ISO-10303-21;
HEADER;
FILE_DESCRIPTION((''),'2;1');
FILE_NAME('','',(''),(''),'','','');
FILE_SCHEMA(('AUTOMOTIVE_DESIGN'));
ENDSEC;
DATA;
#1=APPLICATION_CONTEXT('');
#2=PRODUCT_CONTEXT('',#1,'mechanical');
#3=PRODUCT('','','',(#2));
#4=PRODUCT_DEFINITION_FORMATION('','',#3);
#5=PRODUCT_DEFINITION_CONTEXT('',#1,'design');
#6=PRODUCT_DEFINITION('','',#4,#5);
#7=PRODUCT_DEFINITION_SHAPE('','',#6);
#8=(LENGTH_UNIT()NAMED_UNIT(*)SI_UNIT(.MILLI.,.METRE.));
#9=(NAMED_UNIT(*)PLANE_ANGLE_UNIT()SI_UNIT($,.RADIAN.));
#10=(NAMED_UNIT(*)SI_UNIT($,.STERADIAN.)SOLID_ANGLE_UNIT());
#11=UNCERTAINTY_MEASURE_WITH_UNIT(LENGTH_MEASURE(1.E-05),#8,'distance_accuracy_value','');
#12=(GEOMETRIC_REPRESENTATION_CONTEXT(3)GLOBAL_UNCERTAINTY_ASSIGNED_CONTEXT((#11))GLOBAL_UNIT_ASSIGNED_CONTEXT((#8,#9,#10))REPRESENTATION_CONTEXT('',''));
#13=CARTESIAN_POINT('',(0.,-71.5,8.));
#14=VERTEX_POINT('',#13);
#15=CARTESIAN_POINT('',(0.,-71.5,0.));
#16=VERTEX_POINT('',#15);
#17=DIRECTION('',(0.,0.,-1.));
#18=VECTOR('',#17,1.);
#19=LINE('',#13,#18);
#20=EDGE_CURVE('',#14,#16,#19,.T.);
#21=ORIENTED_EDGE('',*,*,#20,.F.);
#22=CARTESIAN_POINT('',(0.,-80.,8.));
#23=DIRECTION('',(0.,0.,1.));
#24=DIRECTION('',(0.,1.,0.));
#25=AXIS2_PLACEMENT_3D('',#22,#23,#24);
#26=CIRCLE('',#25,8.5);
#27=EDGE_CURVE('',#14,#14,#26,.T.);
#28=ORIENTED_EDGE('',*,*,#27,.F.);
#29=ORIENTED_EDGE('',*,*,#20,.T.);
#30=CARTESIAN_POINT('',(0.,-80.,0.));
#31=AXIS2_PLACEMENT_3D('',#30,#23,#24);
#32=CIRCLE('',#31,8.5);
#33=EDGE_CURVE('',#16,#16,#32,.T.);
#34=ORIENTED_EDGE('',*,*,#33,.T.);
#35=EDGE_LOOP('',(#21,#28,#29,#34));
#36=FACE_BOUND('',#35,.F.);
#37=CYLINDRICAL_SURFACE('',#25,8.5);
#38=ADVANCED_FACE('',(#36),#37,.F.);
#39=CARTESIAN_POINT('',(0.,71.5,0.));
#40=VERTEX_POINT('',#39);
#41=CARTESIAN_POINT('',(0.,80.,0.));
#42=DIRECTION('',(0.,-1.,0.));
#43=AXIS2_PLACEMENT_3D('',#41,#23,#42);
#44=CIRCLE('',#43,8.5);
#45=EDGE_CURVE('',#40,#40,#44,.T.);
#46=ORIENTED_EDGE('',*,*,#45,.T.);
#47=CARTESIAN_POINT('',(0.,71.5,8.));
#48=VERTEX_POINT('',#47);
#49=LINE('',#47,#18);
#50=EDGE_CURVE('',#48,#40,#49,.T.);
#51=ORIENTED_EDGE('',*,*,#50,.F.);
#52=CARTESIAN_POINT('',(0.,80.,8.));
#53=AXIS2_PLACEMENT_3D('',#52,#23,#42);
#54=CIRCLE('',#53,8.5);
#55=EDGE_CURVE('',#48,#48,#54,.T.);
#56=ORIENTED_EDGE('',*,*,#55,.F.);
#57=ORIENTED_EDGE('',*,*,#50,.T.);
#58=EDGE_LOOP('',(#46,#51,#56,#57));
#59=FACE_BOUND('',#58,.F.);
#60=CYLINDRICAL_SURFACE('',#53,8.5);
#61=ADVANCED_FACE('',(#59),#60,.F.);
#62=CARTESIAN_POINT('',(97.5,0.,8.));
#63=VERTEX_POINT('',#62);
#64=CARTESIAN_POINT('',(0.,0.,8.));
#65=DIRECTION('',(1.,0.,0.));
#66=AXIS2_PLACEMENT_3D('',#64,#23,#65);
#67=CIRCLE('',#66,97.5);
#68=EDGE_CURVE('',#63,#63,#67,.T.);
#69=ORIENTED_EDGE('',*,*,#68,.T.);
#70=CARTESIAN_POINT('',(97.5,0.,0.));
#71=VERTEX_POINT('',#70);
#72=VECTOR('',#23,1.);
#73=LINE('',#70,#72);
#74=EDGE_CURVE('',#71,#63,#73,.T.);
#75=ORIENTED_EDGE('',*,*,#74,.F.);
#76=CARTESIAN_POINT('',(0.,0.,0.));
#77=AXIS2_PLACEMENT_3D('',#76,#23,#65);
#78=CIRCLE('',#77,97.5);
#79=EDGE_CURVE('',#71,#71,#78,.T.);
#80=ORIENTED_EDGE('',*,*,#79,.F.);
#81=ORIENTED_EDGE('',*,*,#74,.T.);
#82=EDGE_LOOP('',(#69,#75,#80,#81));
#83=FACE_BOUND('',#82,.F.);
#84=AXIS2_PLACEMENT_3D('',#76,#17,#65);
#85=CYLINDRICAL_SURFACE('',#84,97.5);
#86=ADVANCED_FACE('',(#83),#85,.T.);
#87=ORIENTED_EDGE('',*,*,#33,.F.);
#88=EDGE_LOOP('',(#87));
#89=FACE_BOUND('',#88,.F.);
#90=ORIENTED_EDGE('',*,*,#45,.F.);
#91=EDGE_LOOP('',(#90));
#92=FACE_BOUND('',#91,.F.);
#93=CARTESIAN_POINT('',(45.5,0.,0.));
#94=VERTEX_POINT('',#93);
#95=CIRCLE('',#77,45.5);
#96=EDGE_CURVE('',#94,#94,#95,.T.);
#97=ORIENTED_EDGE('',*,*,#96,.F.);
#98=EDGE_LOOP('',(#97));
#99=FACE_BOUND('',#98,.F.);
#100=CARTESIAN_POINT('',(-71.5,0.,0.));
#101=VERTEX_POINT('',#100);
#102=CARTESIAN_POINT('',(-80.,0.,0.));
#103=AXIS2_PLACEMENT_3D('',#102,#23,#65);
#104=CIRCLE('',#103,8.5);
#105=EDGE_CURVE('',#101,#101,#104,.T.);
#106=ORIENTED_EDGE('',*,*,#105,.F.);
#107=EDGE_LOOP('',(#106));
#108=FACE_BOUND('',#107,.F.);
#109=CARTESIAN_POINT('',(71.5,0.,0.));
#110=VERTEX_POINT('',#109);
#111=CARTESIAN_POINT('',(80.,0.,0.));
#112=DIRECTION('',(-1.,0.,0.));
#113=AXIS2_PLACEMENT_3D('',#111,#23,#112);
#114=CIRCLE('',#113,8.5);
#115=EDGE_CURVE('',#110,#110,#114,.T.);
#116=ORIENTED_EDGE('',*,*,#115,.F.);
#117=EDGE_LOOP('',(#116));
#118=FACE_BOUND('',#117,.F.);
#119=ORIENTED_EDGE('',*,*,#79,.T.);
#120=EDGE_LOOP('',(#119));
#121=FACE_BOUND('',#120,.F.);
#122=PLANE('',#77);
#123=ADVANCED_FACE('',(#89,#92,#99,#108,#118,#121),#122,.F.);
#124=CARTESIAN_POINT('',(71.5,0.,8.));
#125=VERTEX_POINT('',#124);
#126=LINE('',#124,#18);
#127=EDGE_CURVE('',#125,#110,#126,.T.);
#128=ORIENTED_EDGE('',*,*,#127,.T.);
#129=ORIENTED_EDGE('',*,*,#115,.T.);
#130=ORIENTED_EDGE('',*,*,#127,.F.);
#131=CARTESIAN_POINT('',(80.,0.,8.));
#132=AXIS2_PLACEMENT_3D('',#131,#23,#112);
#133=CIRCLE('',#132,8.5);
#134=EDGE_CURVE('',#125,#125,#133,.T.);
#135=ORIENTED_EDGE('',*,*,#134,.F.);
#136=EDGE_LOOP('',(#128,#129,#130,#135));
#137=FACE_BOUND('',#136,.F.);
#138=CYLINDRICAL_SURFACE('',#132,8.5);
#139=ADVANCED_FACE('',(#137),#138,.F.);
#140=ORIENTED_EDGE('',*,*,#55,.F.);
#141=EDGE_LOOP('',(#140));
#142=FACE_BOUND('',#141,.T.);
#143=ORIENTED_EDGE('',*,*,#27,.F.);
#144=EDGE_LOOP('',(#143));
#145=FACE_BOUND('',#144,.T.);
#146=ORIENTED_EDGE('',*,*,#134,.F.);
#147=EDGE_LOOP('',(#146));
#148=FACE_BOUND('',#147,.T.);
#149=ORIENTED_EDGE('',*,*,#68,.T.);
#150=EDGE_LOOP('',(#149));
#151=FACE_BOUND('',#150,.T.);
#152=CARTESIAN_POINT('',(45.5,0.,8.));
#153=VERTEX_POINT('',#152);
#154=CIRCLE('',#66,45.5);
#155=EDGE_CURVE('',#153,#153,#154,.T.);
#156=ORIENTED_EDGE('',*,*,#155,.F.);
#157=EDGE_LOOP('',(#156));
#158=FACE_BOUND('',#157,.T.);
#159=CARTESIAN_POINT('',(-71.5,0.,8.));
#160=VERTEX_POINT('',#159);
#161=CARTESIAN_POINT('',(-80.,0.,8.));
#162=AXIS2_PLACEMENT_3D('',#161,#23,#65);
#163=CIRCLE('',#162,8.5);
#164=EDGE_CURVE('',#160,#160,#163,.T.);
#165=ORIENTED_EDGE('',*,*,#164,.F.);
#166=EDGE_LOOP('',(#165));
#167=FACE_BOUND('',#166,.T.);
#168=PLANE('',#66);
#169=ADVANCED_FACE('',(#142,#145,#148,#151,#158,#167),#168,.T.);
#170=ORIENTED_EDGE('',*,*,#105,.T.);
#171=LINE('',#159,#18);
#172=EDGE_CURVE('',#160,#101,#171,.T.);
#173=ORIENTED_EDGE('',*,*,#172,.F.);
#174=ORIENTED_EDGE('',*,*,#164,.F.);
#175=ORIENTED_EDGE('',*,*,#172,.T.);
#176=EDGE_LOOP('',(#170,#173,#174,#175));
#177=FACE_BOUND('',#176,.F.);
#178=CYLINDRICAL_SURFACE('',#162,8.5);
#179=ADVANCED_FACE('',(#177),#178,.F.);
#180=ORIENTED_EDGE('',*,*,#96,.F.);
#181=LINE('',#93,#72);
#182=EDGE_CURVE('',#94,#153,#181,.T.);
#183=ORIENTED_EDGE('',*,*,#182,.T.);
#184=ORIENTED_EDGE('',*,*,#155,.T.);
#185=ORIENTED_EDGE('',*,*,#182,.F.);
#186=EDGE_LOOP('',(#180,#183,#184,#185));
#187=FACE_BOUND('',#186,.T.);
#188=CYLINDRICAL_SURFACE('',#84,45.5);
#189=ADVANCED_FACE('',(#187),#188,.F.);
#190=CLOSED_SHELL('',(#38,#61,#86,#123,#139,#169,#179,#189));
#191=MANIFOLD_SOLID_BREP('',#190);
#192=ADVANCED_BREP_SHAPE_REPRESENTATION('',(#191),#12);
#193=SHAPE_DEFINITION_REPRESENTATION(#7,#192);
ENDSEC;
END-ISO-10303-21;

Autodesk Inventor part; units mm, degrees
ref_plane "YZ Plane" through (0, 0, 0) normal (1, 0, 0) x (0, 1, 0)
ref_plane "XZ Plane" through (0, 0, 0) normal (0, 1, 0) x (-1, 0, 0)
ref_plane "XY Plane" through (0, 0, 0) normal (0, 0, 1) x (1, 0, 0)
sketch "Sketch2" plane through (0, 0, 0) normal (0, 0, 1) x (1, 0, 0)
  circle A0 centre (0, 0) radius 45.5
  circle A1 centre (0, 0) radius 97.5
  dimension "d25" = 91
  dimension "d27" = 195
extrude "Plate2" add sketch "Sketch2" along normal blind 8
sketch "Sketch3" plane through (0, 0, 8) normal (0, 0, 1) x (1, 0, 0)
  circle A0 centre (-80, 0) radius 8.5
  circle A1 centre (0, 0) radius 80 construction
  dimension "d28" = 160
  dimension "d15" = 17
extrude "Cut1" cut sketch "Sketch3" against normal blind 8
pattern_circular "Circular Pattern1" count 4 over 360 about axis through (0, 0, -10) along (0, 0, 1) of "Cut1"
equation "\"d17\" = Thickness"
equation "\"d14\" = Thickness"
equation "\"BendReliefWidth\" = Thickness"
equation "\"BendReliefDepth\" = 0.5 * Thickness"
equation "\"CornerReliefSize\" = 4 * Thickness"
equation "\"MinimumRemnant\" = 2 * Thickness"
equation "\"TransitionRadius\" = BendRadius"
equation "\"JacobiRadiusSize\" = BendRadius"
equation "\"GapSize\" = Thickness"
equation "\"Thickness\" = 8"
equation "\"BendRadius\" = 6"
properties part number "SLM 1633 charging blind flange" material "Steel"
